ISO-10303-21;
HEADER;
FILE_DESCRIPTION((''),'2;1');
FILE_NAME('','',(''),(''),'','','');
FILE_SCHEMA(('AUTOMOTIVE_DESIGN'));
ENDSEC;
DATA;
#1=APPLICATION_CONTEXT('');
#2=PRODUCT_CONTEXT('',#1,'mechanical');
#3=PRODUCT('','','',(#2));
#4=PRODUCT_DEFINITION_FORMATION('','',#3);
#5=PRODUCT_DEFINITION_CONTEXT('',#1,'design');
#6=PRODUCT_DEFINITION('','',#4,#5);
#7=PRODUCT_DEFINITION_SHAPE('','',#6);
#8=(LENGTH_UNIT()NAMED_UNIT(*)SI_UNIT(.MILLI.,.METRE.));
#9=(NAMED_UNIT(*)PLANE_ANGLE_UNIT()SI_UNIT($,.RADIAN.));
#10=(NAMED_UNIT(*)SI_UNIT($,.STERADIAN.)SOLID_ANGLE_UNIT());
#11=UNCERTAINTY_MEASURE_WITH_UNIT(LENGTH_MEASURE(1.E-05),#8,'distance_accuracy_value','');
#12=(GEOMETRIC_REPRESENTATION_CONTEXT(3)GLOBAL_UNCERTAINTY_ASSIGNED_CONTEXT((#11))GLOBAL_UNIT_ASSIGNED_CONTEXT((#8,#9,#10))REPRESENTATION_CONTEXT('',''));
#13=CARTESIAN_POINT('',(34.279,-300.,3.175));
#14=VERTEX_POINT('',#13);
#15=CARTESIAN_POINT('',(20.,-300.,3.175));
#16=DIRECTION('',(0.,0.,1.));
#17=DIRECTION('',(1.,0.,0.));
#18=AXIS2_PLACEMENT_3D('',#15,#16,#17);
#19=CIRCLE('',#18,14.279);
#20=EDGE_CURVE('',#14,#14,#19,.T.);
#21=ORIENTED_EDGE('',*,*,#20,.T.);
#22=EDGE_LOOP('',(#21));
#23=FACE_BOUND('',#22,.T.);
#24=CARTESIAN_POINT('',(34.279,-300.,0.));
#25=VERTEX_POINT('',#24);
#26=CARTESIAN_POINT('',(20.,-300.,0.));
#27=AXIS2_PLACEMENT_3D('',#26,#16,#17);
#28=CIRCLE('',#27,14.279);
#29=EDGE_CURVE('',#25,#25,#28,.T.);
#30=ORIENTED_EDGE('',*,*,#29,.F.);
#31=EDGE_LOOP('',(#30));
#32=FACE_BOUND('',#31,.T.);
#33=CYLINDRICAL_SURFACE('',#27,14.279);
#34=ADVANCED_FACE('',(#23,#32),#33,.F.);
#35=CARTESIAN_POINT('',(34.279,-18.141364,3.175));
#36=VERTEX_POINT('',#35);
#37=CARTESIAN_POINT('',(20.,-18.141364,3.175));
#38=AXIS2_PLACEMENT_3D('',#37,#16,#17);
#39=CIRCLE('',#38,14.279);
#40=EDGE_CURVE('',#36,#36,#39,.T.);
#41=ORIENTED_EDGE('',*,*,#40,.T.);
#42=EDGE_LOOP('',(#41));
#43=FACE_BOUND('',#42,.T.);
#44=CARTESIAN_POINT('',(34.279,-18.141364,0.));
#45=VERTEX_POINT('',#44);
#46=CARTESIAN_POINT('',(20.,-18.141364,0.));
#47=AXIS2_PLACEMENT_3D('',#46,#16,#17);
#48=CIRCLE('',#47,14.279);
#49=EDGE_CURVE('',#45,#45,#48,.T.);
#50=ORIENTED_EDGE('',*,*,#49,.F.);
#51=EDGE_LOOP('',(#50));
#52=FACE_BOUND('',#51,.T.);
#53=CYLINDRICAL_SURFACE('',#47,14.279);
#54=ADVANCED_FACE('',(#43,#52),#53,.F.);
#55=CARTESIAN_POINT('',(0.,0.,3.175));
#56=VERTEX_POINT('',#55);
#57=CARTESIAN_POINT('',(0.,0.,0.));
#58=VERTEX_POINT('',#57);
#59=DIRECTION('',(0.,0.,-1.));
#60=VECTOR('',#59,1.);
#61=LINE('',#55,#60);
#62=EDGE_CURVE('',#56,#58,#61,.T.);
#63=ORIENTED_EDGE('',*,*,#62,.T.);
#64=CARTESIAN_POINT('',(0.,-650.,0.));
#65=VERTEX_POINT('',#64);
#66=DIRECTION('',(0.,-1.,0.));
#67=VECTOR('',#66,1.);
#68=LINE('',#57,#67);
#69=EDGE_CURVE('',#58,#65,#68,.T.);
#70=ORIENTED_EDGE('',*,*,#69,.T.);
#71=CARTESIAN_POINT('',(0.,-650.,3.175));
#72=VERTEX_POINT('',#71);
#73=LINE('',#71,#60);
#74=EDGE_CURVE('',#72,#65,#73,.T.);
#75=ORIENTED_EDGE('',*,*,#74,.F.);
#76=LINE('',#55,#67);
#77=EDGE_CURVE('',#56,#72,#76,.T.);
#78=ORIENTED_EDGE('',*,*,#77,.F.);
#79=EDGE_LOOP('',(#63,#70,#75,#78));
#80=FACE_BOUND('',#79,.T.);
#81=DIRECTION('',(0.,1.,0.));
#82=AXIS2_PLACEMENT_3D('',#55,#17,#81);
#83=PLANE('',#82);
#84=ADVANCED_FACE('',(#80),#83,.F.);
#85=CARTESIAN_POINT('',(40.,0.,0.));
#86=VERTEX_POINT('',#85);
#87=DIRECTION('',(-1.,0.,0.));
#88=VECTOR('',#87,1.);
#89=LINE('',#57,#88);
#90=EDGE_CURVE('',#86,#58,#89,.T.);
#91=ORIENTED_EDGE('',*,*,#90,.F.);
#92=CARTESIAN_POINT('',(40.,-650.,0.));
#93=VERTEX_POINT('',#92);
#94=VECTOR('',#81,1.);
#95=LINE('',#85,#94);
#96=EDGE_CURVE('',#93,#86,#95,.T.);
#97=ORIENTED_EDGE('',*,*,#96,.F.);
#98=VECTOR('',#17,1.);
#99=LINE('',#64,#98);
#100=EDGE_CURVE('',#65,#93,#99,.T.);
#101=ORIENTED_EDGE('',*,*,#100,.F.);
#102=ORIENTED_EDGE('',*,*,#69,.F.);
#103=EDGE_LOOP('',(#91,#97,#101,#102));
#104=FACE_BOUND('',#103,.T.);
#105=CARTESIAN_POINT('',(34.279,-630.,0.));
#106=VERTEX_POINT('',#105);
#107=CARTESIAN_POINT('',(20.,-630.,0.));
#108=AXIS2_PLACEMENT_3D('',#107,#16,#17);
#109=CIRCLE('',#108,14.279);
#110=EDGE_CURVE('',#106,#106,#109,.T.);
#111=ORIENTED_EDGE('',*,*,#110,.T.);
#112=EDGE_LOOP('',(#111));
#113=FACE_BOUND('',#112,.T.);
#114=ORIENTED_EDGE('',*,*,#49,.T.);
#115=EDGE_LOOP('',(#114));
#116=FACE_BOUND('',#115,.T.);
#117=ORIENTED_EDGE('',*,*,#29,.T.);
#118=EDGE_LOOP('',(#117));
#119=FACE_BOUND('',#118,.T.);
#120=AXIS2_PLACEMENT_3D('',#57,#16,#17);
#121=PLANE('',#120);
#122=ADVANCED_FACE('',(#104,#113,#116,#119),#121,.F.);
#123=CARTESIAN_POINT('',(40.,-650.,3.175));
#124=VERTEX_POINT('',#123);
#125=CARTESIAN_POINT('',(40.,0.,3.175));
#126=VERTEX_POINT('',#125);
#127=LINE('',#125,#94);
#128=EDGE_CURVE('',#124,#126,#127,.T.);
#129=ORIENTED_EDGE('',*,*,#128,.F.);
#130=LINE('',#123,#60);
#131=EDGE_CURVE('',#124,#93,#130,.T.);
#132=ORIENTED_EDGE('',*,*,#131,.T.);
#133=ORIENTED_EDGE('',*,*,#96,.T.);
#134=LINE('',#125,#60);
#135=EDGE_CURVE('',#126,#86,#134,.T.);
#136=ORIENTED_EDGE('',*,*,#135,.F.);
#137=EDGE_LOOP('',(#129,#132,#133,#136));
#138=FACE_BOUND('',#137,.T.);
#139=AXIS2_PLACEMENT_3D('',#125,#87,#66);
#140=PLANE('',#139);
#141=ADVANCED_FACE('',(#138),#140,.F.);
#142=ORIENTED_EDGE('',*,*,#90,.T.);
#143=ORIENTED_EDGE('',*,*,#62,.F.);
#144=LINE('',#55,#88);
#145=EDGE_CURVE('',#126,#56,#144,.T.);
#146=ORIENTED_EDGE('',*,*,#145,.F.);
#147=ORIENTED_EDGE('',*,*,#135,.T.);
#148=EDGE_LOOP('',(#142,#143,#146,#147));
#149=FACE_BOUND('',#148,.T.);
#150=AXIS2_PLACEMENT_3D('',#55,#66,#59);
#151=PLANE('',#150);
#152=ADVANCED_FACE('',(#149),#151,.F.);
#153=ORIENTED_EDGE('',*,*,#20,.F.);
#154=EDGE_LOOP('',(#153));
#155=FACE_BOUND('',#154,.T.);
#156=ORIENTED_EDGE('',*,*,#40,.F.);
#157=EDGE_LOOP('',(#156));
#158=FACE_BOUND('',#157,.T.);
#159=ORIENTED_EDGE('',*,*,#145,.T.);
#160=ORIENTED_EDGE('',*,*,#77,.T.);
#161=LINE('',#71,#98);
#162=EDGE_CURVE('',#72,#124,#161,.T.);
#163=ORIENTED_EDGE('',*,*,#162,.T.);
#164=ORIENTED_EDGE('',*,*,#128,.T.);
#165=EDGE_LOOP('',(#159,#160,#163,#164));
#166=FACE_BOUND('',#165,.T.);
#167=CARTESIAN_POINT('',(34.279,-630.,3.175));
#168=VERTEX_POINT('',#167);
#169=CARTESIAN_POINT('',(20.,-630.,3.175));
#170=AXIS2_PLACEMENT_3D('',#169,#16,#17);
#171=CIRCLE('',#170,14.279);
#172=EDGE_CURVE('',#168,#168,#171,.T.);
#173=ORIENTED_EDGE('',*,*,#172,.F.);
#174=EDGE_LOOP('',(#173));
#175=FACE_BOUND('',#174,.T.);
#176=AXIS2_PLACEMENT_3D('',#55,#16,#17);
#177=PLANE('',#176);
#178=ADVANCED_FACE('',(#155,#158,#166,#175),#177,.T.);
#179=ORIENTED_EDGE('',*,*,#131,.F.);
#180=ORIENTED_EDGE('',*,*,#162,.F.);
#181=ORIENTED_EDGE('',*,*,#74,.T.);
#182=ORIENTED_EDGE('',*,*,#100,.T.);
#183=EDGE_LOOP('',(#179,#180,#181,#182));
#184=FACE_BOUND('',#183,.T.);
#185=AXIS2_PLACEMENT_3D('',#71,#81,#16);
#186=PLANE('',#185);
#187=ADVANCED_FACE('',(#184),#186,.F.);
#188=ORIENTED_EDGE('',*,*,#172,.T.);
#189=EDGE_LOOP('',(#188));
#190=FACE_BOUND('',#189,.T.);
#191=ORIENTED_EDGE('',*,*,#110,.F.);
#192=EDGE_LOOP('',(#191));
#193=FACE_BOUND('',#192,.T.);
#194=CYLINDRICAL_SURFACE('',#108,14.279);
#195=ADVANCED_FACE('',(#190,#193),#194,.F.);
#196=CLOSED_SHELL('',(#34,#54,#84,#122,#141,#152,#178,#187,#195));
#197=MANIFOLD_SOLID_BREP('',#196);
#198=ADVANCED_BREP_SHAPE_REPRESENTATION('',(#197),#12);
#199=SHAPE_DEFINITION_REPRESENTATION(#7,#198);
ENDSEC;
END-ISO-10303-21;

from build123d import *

# Parameters (mm, degrees)
SKETCH1_W           = 40
SKETCH1_H           = 650
BOSS_EXTRUDE1_DEPTH = 3.175
SKETCH2_R           = 14.279
CUT_EXTRUDE1_DEPTH  = 4.175


with BuildPart() as part:
    # Sketch1 → Boss-Extrude1 (new body)
    with BuildSketch(Plane.XY):
        with Locations((20, -325)):
            Rectangle(SKETCH1_W, SKETCH1_H)
    extrude(amount=BOSS_EXTRUDE1_DEPTH)

    # Sketch2 → Cut-Extrude1 (cut, through all)
    with BuildSketch(Plane.XY.offset(3.175)):
        with Locations((20, -18.141364063)):
            Circle(SKETCH2_R)
        with Locations((20, -630)):
            Circle(SKETCH2_R)
        with Locations((20, -300)):
            Circle(SKETCH2_R)
    extrude(amount=-CUT_EXTRUDE1_DEPTH, mode=Mode.SUBTRACT)


solid = part.part
